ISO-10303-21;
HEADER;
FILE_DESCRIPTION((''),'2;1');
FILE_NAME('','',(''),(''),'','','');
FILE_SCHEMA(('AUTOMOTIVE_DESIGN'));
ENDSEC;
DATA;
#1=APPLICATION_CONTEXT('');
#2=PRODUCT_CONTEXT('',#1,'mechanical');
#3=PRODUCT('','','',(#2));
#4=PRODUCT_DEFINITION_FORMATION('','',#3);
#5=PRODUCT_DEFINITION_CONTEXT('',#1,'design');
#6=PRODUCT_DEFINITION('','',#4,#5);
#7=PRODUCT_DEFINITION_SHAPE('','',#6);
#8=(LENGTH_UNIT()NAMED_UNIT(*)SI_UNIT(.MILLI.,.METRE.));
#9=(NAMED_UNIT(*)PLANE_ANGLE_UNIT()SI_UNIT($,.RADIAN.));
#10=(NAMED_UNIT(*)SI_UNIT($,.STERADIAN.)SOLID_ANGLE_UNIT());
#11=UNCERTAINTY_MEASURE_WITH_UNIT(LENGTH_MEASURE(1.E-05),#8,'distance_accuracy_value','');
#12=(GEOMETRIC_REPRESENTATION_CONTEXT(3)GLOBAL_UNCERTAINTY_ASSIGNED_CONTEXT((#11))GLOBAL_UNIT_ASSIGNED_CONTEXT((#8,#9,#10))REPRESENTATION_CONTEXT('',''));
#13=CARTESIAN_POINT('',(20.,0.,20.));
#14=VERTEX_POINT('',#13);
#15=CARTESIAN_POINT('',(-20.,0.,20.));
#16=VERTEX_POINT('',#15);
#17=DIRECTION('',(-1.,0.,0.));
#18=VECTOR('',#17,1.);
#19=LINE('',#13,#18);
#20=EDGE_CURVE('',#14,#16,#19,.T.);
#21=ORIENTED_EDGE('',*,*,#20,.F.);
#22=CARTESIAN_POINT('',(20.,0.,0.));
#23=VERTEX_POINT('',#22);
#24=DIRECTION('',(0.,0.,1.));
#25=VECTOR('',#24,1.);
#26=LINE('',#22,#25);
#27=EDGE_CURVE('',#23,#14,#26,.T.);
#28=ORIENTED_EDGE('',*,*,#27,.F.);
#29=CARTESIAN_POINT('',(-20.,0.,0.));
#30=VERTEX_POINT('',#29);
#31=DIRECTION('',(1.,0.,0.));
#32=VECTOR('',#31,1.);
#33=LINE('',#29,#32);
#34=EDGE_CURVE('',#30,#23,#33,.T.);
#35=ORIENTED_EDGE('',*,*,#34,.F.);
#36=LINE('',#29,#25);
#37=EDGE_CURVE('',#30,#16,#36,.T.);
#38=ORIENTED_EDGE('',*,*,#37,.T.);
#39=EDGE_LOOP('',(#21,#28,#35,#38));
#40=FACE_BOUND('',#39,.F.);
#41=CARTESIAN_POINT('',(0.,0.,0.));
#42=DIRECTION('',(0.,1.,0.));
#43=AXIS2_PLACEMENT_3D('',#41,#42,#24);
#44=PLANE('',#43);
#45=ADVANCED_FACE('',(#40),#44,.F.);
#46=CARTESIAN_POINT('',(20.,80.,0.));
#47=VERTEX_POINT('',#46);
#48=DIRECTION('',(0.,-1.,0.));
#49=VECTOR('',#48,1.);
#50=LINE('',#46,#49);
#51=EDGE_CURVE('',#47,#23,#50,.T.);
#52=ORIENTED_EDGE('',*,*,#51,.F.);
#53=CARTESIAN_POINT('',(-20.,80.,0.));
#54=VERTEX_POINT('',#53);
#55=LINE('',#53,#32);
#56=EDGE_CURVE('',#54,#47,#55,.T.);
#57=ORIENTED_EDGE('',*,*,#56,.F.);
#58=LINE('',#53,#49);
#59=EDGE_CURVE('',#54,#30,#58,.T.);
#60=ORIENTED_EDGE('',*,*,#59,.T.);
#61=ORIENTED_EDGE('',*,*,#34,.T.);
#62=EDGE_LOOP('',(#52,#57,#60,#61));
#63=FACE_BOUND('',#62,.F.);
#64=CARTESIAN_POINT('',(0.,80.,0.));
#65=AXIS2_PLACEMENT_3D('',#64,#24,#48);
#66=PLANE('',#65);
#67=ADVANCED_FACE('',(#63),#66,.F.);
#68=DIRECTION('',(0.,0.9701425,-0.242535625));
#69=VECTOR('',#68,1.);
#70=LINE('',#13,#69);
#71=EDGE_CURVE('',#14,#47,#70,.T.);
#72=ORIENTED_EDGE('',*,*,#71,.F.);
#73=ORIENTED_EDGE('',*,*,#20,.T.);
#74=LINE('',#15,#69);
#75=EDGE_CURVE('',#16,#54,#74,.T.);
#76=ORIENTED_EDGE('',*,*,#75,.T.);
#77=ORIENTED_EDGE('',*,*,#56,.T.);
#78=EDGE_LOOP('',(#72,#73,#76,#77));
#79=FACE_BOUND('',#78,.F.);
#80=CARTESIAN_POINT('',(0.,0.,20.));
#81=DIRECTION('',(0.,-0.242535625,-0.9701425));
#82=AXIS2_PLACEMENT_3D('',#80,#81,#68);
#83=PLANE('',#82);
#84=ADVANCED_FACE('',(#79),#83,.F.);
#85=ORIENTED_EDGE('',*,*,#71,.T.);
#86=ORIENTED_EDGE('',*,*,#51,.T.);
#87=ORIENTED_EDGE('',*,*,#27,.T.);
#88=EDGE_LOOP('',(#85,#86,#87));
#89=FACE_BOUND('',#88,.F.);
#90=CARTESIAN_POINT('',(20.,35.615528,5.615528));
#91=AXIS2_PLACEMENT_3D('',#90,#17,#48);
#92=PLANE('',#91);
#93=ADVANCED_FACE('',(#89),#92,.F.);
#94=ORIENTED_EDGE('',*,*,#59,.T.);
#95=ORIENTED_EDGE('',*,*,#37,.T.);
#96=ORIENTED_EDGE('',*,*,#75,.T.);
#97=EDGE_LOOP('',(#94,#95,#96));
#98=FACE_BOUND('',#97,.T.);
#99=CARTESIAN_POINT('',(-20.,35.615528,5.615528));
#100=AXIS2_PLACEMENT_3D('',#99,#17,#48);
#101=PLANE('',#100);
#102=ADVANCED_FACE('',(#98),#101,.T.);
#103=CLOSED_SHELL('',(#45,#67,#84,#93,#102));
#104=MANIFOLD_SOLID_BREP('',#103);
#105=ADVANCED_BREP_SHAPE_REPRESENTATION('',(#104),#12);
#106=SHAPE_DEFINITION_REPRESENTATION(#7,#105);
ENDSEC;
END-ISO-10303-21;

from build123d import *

# Parameters (mm, degrees)
PAD_DEPTH = 20


with BuildPart() as part:
    # Sketch → Pad (new body, symmetric)
    with BuildSketch(Plane.YZ):
        Polygon((0, 0), (0, 20), (80, 0), align=None)
    extrude(amount=PAD_DEPTH, both=True)


solid = part.part
